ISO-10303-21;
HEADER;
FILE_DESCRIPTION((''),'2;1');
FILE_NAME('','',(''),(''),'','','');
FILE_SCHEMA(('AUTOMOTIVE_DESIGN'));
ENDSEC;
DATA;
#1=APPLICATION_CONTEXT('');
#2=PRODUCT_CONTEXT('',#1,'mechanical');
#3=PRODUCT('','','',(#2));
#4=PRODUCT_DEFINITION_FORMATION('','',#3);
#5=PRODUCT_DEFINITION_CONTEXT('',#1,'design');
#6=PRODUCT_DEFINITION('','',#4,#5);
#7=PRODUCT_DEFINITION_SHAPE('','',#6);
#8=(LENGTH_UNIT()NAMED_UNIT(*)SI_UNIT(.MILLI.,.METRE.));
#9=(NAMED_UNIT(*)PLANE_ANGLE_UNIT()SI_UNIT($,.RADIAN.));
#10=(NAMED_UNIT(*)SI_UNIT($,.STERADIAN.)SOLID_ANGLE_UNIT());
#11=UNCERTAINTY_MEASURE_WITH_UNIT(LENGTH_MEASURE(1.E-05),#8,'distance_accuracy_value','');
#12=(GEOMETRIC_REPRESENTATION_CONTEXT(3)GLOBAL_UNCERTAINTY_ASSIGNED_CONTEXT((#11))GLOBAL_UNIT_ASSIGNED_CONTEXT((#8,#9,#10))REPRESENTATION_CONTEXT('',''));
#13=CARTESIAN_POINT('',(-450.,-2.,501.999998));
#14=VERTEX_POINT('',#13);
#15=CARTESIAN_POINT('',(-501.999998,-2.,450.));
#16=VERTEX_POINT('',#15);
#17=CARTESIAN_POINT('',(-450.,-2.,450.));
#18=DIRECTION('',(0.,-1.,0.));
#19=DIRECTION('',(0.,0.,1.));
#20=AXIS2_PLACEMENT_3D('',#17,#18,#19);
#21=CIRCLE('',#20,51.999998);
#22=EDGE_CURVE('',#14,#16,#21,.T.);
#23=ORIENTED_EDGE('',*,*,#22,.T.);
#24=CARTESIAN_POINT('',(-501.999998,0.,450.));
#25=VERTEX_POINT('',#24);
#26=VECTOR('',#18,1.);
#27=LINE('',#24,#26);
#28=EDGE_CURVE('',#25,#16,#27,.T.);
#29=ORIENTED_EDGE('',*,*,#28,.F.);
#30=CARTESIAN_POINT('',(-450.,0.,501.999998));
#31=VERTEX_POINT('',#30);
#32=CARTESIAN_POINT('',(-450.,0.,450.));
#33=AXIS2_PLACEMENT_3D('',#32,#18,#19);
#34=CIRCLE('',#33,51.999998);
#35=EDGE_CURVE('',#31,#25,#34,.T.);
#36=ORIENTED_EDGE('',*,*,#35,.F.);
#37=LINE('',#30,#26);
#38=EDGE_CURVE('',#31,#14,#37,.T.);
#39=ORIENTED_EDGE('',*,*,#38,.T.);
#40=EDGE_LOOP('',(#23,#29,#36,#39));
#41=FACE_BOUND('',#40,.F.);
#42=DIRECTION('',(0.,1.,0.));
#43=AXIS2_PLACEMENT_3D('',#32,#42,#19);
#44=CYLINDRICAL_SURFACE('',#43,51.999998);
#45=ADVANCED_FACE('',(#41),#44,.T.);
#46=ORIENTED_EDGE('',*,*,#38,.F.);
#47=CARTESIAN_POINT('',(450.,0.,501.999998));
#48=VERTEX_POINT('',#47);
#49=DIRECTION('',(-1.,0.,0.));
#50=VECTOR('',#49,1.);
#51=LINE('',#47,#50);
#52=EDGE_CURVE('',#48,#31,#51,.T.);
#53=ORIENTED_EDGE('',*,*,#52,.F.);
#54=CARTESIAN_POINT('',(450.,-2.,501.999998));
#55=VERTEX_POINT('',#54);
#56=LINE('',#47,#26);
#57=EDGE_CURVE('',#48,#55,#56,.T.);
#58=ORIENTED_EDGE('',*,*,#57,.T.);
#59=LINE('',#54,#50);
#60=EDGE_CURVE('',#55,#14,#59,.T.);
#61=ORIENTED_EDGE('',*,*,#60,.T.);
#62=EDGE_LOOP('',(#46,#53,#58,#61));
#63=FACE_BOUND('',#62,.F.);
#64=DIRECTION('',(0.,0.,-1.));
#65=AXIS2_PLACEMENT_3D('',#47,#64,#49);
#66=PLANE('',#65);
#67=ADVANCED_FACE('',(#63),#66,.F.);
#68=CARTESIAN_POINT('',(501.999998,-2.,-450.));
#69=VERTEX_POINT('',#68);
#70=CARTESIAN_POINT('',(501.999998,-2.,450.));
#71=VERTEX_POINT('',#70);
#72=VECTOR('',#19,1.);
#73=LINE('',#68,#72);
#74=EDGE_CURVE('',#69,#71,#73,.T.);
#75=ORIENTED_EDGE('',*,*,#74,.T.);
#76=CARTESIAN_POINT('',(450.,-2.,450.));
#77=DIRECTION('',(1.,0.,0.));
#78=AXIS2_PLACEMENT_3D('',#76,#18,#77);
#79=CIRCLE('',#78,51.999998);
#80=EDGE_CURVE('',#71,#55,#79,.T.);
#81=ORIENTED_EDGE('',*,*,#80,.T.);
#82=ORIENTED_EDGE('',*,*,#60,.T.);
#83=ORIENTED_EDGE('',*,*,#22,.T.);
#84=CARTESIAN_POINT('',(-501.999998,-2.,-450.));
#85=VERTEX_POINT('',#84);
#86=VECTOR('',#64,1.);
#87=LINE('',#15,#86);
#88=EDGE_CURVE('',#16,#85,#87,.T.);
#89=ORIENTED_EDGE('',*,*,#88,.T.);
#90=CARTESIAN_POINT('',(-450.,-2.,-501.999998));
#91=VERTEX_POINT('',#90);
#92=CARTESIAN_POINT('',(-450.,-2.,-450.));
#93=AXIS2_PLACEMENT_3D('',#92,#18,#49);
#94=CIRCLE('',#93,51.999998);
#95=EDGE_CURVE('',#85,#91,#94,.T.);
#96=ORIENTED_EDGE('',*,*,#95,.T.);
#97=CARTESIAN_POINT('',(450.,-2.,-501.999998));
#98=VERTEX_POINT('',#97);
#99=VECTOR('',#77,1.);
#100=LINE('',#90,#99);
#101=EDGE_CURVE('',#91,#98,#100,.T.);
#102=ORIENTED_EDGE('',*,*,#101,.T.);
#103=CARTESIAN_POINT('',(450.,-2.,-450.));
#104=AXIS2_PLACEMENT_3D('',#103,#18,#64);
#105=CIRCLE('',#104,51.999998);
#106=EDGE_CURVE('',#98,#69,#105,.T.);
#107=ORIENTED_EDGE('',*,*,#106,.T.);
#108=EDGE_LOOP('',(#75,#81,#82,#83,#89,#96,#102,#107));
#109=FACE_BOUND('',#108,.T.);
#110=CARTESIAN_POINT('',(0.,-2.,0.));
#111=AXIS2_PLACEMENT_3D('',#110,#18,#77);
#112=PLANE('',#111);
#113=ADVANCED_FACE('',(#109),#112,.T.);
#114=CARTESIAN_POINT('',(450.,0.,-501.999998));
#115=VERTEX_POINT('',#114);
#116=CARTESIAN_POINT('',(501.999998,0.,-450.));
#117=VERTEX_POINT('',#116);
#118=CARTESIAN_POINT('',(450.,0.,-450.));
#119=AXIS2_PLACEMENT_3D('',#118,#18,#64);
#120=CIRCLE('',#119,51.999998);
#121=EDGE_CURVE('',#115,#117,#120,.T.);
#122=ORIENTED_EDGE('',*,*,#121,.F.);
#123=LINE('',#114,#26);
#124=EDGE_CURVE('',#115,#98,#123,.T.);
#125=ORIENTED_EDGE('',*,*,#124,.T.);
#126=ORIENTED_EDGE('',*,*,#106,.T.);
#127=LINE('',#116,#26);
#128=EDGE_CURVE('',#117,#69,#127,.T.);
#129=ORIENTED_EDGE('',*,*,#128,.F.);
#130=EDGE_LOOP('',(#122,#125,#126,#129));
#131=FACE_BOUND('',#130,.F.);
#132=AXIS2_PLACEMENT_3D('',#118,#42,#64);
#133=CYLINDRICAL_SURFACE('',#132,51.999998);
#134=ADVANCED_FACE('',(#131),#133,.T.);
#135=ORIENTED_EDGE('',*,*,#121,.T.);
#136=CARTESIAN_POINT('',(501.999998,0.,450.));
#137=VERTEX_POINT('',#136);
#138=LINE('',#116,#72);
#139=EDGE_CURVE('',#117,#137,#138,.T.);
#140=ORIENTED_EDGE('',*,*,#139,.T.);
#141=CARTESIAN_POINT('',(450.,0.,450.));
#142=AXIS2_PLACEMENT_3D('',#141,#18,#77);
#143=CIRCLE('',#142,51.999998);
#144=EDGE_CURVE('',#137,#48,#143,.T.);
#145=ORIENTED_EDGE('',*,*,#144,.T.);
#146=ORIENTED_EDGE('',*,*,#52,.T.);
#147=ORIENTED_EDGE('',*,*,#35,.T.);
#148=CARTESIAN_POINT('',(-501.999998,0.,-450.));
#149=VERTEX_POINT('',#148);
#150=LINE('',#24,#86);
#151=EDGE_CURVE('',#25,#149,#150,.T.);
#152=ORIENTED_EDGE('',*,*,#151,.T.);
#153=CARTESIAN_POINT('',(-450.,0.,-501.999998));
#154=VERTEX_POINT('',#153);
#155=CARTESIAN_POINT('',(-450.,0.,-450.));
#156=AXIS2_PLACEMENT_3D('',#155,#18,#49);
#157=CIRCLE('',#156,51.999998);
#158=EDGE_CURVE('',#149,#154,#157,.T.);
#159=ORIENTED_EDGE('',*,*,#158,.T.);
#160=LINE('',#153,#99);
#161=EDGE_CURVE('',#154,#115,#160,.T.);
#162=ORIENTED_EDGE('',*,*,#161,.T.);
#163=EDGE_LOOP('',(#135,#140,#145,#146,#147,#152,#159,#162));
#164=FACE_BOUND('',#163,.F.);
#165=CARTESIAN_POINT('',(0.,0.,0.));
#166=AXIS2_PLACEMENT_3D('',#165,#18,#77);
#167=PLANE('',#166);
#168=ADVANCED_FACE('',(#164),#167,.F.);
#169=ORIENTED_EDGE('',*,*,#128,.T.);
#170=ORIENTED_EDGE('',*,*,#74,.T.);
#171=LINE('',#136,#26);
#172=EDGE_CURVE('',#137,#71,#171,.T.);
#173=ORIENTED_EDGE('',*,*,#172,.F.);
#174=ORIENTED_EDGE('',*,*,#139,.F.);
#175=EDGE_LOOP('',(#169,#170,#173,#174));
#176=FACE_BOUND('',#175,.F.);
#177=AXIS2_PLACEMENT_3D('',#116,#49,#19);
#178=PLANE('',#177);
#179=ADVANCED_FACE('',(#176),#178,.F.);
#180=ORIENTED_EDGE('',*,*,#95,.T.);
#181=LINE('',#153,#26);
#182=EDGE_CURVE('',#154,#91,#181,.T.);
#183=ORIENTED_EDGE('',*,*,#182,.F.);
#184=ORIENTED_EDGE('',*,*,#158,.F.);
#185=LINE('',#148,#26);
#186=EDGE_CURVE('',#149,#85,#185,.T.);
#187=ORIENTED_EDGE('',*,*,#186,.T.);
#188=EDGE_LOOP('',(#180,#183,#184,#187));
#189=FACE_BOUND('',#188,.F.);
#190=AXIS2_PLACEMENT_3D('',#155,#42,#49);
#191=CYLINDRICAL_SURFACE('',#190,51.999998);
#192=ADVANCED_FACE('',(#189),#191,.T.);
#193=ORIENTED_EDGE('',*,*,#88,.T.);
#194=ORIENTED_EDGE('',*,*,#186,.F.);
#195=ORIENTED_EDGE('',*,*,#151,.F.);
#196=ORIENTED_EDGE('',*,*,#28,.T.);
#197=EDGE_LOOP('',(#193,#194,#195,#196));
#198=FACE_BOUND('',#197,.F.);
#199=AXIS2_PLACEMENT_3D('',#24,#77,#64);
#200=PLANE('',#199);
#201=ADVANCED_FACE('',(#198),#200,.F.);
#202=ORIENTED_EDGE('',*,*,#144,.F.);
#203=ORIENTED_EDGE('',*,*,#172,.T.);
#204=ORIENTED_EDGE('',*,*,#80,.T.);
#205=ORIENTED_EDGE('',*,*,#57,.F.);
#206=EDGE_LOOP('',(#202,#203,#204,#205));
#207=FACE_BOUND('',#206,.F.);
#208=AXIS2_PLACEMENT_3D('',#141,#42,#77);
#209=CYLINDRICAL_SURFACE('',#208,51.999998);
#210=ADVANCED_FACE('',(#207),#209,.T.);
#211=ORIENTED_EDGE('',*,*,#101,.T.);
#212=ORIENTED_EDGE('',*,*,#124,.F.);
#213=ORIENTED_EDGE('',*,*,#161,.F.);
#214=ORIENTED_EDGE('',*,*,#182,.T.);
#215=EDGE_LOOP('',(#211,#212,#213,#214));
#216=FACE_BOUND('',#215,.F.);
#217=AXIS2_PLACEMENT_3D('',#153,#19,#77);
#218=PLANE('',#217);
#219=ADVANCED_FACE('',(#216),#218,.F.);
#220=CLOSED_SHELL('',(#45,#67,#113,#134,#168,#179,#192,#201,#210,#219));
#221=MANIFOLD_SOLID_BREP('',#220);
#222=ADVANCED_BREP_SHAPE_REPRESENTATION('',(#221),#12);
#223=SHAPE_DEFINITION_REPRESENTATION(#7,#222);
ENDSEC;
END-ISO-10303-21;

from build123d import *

# Parameters (mm, degrees)
F1_DEPTH = 2


with BuildPart() as f1:
    # F0 (on Front) → F1 (new body)
    with BuildSketch(Plane.XZ):
        with BuildLine():
            Line((-501.9999983907, 450), (-501.9999983907, -450))
            ThreePointArc((-501.9999983907, -450), (-486.7695514837, -486.7695514837), (-450, -501.9999983907))
            Line((-450, -501.9999983907), (450, -501.9999983907))
            ThreePointArc((450, -501.9999983907), (486.7695514837, -486.7695514837), (501.9999983907, -450))
            Line((501.9999983907, -450), (501.9999983907, 450))
            ThreePointArc((501.9999983907, 450), (486.7695514837, 486.7695514837), (450, 501.9999983907))
            Line((450, 501.9999983907), (-450, 501.9999983907))
            ThreePointArc((-450, 501.9999983907), (-486.7695514837, 486.7695514837), (-501.9999983907, 450))
        make_face()
        with BuildLine():
            ThreePointArc((-500, 450), (-485.3553390593, 485.3553390593), (-450, 500))
            Line((-450, 500), (450, 500))
            ThreePointArc((450, 500), (485.3553390593, 485.3553390593), (500, 450))
            Line((500, 450), (500, -450))
            ThreePointArc((500, -450), (485.3553390593, -485.3553390593), (450, -500))
            Line((450, -500), (-450, -500))
            ThreePointArc((-450, -500), (-485.3553390593, -485.3553390593), (-500, -450))
            Line((-500, -450), (-500, 450))
        make_face(mode=Mode.SUBTRACT)
        with BuildLine():
            Line((450, 500), (-450, 500))
            ThreePointArc((-450, 500), (-485.3553390593, 485.3553390593), (-500, 450))
            Line((-500, 450), (-500, -450))
            ThreePointArc((-500, -450), (-485.3553390593, -485.3553390593), (-450, -500))
            Line((-450, -500), (450, -500))
            ThreePointArc((450, -500), (485.3553390593, -485.3553390593), (500, -450))
            Line((500, -450), (500, 450))
            ThreePointArc((500, 450), (485.3553390593, 485.3553390593), (450, 500))
        make_face()
    extrude(amount=F1_DEPTH)


solid = f1.part
